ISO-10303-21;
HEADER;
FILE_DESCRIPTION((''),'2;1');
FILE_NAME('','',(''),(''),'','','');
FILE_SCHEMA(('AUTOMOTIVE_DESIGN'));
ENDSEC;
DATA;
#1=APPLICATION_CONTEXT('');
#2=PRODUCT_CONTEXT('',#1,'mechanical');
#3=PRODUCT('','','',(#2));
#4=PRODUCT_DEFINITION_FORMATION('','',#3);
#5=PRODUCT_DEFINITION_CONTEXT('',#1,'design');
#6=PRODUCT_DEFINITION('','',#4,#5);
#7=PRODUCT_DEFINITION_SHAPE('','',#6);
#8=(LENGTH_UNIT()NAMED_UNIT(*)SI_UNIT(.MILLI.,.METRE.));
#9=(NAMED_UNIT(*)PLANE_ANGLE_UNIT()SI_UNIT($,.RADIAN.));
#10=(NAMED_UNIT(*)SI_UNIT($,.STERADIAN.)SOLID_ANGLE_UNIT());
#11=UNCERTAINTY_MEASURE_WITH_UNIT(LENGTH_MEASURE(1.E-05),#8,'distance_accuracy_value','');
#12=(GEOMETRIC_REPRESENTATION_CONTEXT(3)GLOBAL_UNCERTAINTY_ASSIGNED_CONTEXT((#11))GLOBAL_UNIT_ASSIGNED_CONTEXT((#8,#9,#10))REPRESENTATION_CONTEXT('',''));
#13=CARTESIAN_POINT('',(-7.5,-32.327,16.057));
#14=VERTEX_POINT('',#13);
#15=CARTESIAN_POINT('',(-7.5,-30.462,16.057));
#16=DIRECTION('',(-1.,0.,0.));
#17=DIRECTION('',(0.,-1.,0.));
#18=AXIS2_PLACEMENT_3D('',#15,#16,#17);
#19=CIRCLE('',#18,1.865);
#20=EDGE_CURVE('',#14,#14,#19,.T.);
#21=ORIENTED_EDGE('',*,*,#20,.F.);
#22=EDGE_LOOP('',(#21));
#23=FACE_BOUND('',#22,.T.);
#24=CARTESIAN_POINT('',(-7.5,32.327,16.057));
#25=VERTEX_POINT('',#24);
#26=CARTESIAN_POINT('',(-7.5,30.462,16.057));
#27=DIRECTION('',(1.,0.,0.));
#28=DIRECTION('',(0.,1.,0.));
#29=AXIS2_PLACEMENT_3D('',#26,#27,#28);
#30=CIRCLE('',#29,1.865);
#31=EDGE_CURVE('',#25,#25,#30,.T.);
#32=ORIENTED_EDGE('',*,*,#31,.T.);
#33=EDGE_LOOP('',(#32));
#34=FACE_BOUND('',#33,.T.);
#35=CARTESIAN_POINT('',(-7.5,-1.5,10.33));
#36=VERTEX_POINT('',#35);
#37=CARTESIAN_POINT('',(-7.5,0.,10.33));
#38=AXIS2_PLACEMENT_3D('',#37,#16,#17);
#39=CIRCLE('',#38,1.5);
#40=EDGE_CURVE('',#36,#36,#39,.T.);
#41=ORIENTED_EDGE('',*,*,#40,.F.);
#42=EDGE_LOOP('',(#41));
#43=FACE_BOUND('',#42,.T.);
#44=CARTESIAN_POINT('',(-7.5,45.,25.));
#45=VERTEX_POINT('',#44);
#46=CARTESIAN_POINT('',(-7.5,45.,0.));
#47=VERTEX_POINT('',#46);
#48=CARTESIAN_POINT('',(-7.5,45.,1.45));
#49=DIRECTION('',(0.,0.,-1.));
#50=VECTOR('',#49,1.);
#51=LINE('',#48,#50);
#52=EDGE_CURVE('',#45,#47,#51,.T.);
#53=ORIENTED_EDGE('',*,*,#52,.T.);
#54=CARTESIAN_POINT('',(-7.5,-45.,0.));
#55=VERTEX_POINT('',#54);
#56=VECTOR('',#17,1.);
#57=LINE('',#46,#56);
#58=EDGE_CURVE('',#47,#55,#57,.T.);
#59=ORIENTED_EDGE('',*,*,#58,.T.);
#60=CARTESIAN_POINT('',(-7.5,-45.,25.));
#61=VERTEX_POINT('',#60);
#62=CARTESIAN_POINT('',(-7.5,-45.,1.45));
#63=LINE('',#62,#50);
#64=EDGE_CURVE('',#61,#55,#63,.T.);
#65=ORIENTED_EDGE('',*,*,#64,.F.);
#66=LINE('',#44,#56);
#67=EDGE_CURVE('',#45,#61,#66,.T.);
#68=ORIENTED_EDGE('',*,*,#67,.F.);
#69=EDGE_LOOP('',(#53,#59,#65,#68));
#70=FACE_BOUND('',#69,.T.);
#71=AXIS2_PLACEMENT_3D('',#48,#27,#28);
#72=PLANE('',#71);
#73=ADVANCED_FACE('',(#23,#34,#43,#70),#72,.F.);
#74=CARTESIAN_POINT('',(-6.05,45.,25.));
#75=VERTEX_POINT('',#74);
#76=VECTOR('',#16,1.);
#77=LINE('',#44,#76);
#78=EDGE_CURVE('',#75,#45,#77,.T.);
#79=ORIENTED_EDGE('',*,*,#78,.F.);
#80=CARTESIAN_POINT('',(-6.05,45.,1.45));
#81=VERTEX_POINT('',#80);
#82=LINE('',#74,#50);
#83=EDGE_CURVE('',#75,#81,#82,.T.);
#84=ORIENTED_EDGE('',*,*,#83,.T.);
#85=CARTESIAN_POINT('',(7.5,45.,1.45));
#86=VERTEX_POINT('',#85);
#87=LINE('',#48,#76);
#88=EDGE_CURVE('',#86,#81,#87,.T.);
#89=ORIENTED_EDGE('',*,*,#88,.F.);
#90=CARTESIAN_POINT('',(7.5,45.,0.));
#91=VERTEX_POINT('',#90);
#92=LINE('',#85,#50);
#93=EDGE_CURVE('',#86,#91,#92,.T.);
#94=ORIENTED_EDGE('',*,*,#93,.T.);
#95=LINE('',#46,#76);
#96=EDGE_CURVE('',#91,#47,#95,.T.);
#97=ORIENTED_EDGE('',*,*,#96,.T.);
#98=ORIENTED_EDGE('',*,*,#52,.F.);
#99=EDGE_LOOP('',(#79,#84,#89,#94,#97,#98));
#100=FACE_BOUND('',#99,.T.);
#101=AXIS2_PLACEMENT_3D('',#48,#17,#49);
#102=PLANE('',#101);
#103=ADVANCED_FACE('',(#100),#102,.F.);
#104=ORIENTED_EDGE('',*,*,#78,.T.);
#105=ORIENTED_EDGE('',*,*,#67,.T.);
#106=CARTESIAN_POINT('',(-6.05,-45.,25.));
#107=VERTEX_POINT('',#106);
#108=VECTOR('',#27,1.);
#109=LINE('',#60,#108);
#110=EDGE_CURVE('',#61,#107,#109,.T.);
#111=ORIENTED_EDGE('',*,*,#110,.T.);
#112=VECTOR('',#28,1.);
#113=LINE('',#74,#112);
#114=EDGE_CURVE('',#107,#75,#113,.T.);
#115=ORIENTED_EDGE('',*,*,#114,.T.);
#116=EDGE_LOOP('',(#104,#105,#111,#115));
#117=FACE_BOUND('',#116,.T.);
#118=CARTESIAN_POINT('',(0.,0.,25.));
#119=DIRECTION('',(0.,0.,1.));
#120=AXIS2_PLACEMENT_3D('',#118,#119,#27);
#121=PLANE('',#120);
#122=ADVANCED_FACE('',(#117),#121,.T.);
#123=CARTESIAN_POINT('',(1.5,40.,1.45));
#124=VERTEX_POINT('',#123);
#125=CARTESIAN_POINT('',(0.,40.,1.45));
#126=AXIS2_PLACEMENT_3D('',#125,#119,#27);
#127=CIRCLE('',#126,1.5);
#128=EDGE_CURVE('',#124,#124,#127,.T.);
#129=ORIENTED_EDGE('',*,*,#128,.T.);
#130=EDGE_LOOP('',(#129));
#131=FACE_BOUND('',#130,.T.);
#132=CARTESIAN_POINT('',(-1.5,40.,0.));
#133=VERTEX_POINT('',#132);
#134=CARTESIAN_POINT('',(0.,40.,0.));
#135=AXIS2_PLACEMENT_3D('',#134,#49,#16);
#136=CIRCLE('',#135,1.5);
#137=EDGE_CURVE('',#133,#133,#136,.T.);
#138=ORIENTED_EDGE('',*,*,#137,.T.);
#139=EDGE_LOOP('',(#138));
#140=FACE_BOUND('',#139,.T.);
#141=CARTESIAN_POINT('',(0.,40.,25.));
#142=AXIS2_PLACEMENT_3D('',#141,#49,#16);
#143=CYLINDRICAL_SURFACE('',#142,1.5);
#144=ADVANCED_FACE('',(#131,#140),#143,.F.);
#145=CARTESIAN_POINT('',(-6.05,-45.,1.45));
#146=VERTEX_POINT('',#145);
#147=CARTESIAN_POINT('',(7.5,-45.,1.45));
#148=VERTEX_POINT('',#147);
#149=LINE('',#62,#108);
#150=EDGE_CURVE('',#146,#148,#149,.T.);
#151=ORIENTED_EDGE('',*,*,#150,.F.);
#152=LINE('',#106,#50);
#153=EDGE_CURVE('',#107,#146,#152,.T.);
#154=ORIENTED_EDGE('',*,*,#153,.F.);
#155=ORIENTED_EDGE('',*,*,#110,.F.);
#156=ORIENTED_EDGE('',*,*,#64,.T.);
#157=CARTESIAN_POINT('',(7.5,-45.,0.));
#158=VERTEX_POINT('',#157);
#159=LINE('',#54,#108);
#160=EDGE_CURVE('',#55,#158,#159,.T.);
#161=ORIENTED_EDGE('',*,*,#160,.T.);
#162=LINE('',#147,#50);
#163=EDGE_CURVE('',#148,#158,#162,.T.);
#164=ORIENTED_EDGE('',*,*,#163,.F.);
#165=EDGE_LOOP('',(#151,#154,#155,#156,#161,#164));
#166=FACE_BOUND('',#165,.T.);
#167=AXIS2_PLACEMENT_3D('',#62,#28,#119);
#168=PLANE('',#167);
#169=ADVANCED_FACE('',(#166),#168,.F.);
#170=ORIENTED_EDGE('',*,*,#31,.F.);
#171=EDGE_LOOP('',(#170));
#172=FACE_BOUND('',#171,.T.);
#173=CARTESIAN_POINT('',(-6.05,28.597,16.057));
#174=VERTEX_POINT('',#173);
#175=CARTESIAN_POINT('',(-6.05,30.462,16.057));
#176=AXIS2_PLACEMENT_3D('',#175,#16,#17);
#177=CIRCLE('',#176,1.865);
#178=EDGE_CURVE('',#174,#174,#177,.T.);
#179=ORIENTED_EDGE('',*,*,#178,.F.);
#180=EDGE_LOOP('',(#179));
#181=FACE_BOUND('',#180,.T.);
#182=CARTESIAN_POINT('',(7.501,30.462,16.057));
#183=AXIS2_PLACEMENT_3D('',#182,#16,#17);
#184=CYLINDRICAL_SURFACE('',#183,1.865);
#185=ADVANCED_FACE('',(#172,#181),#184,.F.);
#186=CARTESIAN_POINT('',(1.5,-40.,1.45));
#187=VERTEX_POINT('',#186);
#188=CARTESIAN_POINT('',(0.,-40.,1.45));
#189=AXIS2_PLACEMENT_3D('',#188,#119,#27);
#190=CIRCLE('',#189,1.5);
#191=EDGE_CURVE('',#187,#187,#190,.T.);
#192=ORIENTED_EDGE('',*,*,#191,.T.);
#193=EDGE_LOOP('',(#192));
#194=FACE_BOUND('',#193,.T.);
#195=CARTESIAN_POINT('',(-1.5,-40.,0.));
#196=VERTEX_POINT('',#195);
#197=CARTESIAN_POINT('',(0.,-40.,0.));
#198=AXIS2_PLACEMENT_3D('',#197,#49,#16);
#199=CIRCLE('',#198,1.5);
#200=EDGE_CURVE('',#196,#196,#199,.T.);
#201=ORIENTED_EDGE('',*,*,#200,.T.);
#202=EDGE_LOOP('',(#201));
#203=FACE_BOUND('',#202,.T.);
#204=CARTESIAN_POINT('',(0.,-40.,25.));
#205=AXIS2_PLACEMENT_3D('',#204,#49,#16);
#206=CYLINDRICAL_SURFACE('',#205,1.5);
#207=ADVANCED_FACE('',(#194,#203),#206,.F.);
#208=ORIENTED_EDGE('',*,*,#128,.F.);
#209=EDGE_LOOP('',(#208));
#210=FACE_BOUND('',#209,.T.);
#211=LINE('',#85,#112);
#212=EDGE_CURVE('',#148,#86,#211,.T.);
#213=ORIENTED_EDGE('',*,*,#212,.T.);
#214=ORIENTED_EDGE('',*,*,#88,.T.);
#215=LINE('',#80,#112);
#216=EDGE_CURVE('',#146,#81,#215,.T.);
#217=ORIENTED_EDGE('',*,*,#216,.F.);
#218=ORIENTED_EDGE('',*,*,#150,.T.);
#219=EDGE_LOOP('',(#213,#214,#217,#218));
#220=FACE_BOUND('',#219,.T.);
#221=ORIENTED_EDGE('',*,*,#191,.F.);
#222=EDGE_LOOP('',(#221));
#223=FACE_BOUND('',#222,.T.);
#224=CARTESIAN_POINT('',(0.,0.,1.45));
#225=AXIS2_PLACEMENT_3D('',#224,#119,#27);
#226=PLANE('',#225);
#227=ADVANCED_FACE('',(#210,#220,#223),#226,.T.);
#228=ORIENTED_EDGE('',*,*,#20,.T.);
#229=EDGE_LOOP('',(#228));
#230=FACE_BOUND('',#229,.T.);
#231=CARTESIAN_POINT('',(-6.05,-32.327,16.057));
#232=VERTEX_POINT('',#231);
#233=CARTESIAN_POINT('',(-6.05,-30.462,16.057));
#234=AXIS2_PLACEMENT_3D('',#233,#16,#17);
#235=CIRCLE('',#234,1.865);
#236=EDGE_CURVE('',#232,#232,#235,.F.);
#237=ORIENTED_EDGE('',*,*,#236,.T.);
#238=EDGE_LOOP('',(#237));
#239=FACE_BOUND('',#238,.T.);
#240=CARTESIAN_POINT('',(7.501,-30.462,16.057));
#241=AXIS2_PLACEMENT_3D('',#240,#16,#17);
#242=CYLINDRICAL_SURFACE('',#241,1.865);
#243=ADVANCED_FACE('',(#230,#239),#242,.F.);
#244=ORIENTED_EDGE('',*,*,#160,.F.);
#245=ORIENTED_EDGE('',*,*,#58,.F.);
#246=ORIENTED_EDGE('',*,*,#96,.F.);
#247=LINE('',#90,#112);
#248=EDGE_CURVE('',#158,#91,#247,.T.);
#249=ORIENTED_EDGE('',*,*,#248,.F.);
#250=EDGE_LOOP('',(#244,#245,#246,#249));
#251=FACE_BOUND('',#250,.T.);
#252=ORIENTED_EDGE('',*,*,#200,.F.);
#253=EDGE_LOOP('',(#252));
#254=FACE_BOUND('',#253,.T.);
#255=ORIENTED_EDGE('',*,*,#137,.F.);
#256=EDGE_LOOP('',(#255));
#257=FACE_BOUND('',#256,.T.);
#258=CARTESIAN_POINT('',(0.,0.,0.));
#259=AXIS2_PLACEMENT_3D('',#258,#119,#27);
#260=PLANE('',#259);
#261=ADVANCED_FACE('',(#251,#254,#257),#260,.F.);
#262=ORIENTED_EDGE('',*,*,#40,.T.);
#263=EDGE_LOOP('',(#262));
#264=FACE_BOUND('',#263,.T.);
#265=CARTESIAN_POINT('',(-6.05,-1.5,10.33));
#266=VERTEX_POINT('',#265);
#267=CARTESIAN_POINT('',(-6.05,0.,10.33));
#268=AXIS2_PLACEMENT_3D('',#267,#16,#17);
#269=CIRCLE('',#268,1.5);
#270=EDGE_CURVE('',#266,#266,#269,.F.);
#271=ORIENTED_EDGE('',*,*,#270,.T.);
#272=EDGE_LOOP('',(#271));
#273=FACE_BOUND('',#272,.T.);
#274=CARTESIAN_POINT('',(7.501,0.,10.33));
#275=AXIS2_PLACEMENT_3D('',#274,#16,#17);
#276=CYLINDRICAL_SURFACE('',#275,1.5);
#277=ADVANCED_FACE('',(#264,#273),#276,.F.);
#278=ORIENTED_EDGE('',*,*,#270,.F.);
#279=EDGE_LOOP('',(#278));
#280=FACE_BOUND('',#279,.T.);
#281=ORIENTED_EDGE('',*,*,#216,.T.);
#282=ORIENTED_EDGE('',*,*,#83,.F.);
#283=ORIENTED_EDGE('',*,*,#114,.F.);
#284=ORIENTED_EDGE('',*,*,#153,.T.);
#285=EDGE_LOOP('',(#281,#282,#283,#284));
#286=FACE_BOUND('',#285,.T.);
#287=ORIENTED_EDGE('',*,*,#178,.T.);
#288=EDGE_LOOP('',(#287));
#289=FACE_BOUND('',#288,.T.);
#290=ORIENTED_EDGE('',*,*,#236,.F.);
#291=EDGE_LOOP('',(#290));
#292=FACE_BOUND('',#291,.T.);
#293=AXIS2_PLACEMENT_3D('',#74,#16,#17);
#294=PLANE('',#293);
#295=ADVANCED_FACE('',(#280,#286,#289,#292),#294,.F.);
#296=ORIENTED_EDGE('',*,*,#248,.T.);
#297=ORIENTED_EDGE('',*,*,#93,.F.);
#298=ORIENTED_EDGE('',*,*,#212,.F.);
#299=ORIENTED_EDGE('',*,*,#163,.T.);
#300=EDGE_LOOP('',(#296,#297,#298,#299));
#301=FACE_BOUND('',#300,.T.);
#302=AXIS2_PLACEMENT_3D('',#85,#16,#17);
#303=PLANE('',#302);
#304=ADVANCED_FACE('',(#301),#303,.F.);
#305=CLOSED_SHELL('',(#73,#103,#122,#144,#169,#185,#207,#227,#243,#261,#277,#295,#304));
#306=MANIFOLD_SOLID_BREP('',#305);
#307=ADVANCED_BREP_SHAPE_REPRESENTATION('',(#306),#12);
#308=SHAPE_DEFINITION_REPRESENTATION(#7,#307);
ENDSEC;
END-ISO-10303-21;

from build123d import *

# Parameters (mm, degrees)
SKETCH1_W           = 15
SKETCH1_H           = 90
BOSS_EXTRUDE1_DEPTH = 1.45
SKETCH2_W           = 1.45
SKETCH2_H           = 90
BOSS_EXTRUDE2_DEPTH = 23.55
SKETCH3_R           = 1.5
CUT_EXTRUDE1_DEPTH  = 26
SKETCH5_R           = 1.865
CUT_EXTRUDE2_DEPTH  = 1.45
CUT_EXTRUDE3_REACH  = 17
SKETCH6_R           = 1.5


with BuildPart() as part:
    # Sketch1 → Boss-Extrude1 (new body)
    with BuildSketch(Plane.XY):
        Rectangle(SKETCH1_W, SKETCH1_H)
    extrude(amount=BOSS_EXTRUDE1_DEPTH)

    # Sketch2 → Boss-Extrude2 (add)
    with BuildSketch(Plane.XY.offset(1.45)):
        with Locations((-6.775, 0)):
            Rectangle(SKETCH2_W, SKETCH2_H)
    extrude(amount=BOSS_EXTRUDE2_DEPTH)

    # Sketch3 → Cut-Extrude1 (cut, through all)
    with BuildSketch(Plane(origin=(0, 0, 0), x_dir=(-1, 0, 0), z_dir=(0, 0, -1))):
        with Locations((0, 40)):
            Circle(SKETCH3_R)
        with Locations((0, -40)):
            Circle(SKETCH3_R)
    extrude(amount=-CUT_EXTRUDE1_DEPTH, mode=Mode.SUBTRACT)

    # Sketch5 → Cut-Extrude2 (cut)
    with BuildSketch(Plane.ZY.offset(7.5)):
        with Locations((16.057, -30.462)):
            Circle(SKETCH5_R)
    cut_extrude2 = extrude(amount=-CUT_EXTRUDE2_DEPTH, mode=Mode.SUBTRACT)

    # Mirror1: Cut-Extrude2 across plane
    add(cut_extrude2.mirror(Plane.ZX), mode=Mode.SUBTRACT)

    # Sketch6 → Cut-Extrude3 (cut, up to next)
    with BuildSketch(Plane.ZY.offset(7.5), mode=Mode.PRIVATE) as cut_extrude3_sk1:
        with Locations((10.33, 0)):
            Circle(SKETCH6_R)
    cut_extrude3_tool1 = extrude(cut_extrude3_sk1.sketch, amount=-CUT_EXTRUDE3_REACH, mode=Mode.PRIVATE) & part.part
    add(cut_extrude3_tool1.solids().sort_by_distance((-7.5, 0, 10.33))[0], mode=Mode.SUBTRACT)


solid = part.part
